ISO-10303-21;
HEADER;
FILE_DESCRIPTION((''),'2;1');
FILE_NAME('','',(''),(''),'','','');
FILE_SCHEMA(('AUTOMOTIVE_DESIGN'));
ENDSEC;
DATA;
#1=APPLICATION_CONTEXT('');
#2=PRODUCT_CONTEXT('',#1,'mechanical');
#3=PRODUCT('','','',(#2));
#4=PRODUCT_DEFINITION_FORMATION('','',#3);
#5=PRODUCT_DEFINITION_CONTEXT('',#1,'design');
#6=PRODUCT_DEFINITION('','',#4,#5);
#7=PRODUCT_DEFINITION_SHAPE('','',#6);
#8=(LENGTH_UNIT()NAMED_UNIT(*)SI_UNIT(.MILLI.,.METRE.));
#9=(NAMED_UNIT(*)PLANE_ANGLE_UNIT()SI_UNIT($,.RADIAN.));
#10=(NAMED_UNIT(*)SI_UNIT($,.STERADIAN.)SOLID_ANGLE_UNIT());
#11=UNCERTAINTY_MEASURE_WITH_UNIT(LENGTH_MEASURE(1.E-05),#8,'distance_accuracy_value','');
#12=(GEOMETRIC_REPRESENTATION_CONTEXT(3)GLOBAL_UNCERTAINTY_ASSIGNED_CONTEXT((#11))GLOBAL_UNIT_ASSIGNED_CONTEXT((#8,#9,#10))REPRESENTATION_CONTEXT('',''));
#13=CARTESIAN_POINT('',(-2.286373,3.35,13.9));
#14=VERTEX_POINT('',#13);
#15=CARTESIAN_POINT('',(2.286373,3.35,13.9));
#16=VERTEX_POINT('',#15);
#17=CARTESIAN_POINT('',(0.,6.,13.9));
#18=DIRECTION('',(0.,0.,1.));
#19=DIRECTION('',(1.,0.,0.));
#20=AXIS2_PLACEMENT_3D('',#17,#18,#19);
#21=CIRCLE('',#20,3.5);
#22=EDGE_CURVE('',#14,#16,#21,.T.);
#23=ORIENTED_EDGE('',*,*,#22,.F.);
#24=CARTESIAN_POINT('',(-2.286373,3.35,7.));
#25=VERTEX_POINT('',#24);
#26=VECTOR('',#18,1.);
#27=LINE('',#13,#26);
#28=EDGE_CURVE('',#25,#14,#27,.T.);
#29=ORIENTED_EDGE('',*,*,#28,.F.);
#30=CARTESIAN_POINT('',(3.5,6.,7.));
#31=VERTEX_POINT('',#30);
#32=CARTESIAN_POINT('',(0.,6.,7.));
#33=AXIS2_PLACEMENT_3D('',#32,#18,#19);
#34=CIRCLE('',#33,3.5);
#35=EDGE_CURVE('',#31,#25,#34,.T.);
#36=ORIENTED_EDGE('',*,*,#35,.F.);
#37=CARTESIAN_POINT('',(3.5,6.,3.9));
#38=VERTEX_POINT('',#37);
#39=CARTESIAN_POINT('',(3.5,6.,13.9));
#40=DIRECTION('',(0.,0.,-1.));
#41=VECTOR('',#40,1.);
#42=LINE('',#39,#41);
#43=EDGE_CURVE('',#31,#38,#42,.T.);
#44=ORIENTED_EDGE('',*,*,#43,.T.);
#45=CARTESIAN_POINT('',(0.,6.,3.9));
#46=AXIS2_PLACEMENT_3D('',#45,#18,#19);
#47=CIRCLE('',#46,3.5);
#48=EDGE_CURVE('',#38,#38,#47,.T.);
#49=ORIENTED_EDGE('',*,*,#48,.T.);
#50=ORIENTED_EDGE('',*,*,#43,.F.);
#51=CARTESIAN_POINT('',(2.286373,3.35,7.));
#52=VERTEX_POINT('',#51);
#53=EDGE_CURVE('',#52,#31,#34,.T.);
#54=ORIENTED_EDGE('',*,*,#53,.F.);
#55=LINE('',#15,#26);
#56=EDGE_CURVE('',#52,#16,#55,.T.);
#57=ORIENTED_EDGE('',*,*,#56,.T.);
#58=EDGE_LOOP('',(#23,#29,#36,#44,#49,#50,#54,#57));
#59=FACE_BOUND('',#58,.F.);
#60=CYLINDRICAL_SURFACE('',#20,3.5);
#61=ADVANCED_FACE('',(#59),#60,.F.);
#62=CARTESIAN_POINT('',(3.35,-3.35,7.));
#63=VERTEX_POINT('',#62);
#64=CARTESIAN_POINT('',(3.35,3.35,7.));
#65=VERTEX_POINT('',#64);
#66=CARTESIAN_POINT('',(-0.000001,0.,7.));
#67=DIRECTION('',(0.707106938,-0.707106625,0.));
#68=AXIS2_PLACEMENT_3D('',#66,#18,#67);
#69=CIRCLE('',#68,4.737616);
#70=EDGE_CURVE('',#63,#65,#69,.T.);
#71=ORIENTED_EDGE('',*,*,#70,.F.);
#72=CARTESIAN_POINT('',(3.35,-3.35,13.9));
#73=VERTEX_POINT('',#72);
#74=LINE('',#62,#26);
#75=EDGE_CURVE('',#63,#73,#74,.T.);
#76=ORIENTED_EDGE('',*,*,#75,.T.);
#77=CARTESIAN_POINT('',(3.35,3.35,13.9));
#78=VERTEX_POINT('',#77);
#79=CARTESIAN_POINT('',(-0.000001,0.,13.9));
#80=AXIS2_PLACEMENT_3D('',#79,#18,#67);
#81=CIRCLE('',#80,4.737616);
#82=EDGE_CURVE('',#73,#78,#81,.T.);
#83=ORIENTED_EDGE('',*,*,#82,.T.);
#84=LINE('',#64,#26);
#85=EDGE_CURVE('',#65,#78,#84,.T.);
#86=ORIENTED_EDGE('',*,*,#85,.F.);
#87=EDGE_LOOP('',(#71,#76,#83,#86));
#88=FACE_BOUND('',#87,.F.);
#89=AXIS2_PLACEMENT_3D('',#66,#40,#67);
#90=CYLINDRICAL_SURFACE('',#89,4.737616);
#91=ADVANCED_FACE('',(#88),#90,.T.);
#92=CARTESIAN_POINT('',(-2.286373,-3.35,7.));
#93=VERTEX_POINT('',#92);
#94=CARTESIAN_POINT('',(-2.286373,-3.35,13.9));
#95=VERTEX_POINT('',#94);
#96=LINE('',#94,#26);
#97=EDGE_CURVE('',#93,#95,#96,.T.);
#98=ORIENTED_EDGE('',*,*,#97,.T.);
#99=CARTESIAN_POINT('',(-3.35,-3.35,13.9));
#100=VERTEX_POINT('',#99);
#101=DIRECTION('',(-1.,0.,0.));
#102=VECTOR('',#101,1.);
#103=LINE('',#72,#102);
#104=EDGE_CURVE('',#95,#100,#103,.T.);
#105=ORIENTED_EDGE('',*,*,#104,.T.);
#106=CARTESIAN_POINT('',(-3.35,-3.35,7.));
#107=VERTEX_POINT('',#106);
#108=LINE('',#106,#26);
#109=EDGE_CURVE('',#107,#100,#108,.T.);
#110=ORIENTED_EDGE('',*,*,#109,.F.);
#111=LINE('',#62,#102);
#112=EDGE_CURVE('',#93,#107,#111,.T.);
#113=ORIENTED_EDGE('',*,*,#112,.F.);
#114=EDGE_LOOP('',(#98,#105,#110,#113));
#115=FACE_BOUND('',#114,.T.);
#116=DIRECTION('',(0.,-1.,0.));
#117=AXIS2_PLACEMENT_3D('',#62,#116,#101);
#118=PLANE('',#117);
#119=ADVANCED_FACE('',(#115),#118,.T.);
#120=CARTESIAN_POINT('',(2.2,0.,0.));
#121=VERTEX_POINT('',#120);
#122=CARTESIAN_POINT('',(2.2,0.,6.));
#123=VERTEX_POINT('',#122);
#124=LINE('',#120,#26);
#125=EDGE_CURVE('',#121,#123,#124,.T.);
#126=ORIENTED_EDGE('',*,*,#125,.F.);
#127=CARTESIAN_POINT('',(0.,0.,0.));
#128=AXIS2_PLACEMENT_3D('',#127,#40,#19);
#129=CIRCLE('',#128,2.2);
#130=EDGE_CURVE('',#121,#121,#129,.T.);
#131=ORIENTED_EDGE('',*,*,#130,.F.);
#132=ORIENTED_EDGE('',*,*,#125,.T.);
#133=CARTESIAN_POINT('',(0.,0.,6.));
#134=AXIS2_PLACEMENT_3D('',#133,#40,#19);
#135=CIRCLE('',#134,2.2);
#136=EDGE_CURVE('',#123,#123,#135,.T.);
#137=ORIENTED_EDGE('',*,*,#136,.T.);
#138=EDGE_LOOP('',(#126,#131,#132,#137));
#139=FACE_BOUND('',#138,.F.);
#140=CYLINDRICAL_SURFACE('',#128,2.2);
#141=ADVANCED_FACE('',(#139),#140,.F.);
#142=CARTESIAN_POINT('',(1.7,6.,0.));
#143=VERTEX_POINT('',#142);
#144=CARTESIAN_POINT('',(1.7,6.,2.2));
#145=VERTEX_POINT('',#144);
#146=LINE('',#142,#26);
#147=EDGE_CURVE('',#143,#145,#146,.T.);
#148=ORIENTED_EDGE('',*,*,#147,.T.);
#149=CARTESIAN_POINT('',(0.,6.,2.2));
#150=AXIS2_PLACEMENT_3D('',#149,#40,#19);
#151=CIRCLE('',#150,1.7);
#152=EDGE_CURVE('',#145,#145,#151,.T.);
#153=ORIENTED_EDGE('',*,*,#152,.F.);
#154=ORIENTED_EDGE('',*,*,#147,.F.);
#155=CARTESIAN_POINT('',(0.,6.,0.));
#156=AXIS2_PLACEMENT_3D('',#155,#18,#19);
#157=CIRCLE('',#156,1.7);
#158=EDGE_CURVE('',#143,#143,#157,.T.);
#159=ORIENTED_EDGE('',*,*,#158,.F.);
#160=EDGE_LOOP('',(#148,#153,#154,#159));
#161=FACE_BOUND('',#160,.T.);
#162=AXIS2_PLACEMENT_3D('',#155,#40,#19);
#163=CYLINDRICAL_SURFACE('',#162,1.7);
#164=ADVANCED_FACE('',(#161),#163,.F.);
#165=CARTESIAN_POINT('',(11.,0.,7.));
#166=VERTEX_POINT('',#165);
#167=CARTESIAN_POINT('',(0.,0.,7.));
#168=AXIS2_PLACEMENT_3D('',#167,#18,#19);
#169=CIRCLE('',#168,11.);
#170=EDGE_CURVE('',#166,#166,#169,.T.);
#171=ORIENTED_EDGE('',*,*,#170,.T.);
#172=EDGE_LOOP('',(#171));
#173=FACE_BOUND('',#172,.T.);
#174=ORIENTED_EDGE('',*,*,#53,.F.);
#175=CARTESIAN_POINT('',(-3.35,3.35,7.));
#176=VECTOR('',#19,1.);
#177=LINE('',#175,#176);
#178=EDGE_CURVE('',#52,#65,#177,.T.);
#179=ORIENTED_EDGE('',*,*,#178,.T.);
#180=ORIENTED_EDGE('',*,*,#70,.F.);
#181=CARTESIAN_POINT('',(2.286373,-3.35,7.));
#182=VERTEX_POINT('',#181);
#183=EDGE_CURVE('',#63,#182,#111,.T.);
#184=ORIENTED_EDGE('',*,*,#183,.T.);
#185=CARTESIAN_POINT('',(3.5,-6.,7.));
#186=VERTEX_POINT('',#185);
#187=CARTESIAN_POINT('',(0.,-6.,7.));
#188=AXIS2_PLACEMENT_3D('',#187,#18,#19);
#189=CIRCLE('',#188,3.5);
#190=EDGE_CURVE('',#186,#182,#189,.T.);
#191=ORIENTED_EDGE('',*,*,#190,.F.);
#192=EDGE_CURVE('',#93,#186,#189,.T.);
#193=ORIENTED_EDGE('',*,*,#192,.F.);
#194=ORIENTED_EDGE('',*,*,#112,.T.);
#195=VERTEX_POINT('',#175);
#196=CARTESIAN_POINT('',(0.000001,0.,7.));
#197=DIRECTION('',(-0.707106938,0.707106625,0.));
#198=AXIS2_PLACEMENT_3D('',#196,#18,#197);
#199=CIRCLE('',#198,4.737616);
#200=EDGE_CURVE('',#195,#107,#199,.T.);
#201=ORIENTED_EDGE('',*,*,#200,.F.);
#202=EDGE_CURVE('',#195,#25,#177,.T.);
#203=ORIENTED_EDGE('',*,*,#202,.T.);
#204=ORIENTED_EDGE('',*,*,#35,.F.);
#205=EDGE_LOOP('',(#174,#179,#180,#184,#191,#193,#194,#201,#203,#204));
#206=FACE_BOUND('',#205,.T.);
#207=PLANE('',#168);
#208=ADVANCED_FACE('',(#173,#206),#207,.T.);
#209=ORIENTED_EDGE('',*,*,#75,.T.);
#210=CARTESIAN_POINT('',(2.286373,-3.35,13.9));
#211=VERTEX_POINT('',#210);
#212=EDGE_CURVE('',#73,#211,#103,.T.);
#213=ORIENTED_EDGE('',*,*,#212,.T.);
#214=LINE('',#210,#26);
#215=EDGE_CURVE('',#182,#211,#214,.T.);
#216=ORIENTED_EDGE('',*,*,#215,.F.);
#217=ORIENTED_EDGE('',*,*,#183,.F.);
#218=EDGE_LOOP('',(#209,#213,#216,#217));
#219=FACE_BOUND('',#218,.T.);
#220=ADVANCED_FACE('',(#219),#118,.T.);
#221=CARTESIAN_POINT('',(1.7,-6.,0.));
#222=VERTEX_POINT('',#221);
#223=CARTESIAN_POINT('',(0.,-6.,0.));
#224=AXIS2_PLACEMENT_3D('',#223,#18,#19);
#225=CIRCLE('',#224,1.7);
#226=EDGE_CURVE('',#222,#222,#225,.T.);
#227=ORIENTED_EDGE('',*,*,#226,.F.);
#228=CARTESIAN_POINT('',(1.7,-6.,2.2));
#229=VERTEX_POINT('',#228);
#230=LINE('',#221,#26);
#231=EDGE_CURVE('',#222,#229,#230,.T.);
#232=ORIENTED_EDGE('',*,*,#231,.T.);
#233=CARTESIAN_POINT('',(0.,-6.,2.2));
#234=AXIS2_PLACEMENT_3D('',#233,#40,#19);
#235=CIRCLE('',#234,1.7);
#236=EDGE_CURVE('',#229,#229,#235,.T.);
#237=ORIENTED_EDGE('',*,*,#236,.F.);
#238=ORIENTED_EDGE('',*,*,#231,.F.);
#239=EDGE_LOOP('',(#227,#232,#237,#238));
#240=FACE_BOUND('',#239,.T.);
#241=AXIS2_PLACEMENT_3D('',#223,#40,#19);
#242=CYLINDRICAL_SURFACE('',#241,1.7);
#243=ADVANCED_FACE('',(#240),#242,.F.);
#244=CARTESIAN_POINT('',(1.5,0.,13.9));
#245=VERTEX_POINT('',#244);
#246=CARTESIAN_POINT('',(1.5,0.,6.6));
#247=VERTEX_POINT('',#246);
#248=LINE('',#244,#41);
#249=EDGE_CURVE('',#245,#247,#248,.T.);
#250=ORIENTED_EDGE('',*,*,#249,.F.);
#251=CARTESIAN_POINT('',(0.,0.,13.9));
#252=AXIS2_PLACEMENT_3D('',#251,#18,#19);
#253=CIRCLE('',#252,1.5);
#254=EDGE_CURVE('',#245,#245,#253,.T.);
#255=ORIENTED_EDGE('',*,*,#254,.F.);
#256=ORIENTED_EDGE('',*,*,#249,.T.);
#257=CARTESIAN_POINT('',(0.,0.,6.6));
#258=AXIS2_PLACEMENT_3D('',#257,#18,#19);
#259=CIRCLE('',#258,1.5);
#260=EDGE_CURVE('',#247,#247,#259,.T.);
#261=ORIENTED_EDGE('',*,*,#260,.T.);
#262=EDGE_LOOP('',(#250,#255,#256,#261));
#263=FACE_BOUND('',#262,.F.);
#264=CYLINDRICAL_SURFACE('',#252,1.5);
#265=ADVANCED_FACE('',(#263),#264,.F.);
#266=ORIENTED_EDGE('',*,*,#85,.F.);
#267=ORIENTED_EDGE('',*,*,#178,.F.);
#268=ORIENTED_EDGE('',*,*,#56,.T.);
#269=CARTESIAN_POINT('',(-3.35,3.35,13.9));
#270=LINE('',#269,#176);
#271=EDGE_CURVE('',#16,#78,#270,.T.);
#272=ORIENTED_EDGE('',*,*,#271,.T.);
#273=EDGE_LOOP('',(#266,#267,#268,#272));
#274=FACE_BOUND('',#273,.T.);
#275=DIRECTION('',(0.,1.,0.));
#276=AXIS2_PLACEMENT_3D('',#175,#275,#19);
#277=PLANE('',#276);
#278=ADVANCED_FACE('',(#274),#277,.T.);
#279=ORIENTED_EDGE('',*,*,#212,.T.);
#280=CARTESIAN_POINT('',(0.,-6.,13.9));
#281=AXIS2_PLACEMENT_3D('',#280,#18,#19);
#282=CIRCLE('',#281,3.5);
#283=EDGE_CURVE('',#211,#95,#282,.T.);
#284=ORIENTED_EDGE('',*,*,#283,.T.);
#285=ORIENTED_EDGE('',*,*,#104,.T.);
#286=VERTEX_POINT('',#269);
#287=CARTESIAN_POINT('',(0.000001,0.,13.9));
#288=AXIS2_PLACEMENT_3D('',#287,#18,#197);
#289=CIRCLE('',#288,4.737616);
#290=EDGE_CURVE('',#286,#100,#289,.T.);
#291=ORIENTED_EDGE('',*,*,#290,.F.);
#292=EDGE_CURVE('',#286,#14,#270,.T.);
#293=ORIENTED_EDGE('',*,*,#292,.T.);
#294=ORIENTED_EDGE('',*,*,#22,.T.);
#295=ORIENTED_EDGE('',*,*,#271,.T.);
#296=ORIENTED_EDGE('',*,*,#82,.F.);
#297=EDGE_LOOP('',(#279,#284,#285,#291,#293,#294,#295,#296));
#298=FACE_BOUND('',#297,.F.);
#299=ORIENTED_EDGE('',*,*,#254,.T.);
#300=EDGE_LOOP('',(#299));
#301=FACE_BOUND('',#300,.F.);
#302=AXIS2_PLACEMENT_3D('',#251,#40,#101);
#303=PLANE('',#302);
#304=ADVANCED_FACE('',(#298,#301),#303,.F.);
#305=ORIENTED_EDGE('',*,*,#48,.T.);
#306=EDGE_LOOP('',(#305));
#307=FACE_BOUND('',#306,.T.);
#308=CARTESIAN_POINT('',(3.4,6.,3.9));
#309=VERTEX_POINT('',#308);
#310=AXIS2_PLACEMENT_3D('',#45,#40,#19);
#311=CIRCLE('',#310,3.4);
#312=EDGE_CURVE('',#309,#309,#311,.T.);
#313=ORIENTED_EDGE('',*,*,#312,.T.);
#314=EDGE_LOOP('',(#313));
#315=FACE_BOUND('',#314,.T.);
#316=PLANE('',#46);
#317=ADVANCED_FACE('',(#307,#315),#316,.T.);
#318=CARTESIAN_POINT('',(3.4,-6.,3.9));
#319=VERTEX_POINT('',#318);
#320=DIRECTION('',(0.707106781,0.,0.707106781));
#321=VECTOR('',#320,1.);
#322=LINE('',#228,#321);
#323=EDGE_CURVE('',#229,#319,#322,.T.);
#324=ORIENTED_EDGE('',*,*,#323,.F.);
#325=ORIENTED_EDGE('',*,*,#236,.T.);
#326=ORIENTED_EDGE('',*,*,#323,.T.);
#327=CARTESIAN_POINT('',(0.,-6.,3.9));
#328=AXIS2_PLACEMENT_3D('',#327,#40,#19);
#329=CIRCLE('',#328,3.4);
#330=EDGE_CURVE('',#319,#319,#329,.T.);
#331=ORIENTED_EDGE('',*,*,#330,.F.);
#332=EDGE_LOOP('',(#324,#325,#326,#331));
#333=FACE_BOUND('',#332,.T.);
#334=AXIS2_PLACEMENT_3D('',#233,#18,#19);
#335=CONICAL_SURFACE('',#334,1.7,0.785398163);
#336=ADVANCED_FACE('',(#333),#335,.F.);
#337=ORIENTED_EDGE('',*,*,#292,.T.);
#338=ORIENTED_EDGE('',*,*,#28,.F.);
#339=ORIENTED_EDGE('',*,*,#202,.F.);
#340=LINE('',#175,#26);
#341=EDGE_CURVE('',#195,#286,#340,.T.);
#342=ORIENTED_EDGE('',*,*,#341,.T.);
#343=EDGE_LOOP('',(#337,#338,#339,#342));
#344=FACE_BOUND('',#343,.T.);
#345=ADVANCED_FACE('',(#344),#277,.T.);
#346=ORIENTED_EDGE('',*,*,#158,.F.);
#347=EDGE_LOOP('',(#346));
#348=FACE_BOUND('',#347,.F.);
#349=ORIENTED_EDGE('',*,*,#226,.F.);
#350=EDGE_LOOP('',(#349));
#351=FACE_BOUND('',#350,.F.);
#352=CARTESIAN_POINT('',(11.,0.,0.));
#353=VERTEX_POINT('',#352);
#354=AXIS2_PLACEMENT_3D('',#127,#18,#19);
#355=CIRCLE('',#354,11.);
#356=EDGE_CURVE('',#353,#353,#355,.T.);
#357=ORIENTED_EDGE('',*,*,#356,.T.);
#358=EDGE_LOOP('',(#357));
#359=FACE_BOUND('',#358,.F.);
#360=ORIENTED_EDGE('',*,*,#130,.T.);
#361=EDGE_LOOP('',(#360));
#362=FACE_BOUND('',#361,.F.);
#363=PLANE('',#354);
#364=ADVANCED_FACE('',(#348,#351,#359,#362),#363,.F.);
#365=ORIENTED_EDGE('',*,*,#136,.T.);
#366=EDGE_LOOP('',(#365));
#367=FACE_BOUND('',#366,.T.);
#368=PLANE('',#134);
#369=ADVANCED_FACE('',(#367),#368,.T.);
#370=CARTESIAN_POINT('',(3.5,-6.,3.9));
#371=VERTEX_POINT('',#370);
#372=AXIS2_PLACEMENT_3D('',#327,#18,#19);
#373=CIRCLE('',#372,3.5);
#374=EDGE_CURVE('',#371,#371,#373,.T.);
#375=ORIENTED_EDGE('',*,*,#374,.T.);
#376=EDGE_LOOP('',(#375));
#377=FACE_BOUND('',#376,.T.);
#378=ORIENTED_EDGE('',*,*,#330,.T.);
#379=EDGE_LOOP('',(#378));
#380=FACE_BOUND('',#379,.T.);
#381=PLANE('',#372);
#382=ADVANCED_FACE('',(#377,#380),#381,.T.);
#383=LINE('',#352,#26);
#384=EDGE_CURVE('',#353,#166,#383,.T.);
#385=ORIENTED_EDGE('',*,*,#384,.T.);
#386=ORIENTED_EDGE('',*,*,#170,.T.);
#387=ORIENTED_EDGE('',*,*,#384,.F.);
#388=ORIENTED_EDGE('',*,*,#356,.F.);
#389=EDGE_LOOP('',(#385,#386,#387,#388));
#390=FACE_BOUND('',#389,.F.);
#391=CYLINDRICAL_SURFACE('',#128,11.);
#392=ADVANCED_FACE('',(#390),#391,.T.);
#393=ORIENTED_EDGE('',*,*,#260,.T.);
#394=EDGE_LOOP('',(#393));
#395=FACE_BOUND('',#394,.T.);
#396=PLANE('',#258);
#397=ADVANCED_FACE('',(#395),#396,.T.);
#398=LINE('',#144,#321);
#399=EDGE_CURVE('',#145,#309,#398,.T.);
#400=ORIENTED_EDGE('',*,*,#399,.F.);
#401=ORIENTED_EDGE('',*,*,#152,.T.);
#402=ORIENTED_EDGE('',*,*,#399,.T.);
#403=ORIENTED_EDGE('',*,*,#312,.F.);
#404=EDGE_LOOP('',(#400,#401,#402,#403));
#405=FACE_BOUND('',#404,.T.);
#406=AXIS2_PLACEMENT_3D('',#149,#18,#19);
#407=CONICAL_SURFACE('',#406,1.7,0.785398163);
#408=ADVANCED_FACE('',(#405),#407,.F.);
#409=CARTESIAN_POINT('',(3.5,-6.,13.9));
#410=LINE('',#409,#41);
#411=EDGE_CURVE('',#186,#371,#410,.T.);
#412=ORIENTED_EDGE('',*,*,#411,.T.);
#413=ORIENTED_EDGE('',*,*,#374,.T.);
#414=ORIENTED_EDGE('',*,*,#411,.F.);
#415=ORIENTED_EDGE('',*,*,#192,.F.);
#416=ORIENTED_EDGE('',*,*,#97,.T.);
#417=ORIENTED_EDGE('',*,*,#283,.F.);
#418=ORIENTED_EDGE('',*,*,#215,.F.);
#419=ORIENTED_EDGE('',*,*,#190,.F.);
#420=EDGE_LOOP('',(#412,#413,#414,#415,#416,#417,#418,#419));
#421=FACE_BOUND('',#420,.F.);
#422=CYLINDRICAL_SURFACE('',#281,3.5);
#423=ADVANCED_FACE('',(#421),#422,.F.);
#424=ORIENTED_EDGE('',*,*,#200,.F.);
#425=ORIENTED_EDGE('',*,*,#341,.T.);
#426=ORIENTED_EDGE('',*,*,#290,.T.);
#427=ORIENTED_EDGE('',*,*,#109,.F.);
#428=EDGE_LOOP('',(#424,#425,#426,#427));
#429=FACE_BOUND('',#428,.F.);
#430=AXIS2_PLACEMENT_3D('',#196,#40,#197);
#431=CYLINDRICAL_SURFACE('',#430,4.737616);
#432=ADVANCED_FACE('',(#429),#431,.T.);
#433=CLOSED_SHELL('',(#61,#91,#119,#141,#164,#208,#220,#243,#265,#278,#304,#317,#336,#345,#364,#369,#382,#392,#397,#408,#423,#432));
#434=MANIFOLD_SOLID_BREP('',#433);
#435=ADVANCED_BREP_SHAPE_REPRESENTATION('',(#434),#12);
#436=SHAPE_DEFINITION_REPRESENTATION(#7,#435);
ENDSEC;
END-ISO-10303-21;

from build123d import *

# Parameters (mm, degrees)
SKETCH_R        = 11
SKETCH_R_2      = 1.7
PAD_DEPTH       = 7
PAD001_DEPTH    = 6.9
SKETCH006_R     = 3.5
POCKET003_DEPTH = 10
SKETCH007_R     = 2.2
POCKET_DEPTH    = 6
SKETCH003_R     = 1.5
POCKET004_DEPTH = 7.3
CHAMFER_SIZE    = 1.7
CHAMFER001_SIZE = 1.7


with BuildPart() as part:
    # Sketch → Pad (new body)
    with BuildSketch(Plane.XY):
        Circle(SKETCH_R)
        with Locations((0, 6)):
            Circle(SKETCH_R_2, mode=Mode.SUBTRACT)
        with Locations((0, -6)):
            Circle(SKETCH_R_2, mode=Mode.SUBTRACT)
    extrude(amount=PAD_DEPTH)

    # Sketch004 → Pad001 (new body)
    with BuildSketch(Plane.XY.offset(7)):
        with BuildLine():
            Line((-3.35, 3.35), (3.35, 3.35))
            ThreePointArc((3.35, -3.35), (4.737615, 0), (3.35, 3.35))
            Line((3.35, -3.35), (-3.35, -3.35))
            ThreePointArc((-3.35, 3.35), (-4.737615, 0), (-3.35, -3.35))
        make_face()
    extrude(amount=PAD001_DEPTH)

    # Sketch006 → Pocket003 (cut)
    with BuildSketch(Plane.XY.offset(13.9)):
        with Locations((0, 6)):
            Circle(SKETCH006_R)
        with Locations((0, -6)):
            Circle(SKETCH006_R)
    extrude(amount=-POCKET003_DEPTH, mode=Mode.SUBTRACT)

    # Sketch007 → Pocket (cut)
    with BuildSketch(Plane(origin=(0, 0, 0), x_dir=(1, 0, 0), z_dir=(0, 0, -1))):
        Circle(SKETCH007_R)
    extrude(amount=-POCKET_DEPTH, mode=Mode.SUBTRACT)

    # Sketch003 → Pocket004 (cut)
    with BuildSketch(Plane.XY.offset(13.9)):
        Circle(SKETCH003_R)
    extrude(amount=-POCKET004_DEPTH, mode=Mode.SUBTRACT)

    # Chamfer
    chamfer_edges = [part.edges().sort_by_distance(p)[0] for p in [
        (-1.7, 6, 3.9),
    ]]
    chamfer(chamfer_edges, length=CHAMFER_SIZE)

    # Chamfer001
    chamfer001_edges = [part.edges().sort_by_distance(p)[0] for p in [
        (-1.7, -6, 3.9),
    ]]
    chamfer(chamfer001_edges, length=CHAMFER001_SIZE)


solid = part.part
